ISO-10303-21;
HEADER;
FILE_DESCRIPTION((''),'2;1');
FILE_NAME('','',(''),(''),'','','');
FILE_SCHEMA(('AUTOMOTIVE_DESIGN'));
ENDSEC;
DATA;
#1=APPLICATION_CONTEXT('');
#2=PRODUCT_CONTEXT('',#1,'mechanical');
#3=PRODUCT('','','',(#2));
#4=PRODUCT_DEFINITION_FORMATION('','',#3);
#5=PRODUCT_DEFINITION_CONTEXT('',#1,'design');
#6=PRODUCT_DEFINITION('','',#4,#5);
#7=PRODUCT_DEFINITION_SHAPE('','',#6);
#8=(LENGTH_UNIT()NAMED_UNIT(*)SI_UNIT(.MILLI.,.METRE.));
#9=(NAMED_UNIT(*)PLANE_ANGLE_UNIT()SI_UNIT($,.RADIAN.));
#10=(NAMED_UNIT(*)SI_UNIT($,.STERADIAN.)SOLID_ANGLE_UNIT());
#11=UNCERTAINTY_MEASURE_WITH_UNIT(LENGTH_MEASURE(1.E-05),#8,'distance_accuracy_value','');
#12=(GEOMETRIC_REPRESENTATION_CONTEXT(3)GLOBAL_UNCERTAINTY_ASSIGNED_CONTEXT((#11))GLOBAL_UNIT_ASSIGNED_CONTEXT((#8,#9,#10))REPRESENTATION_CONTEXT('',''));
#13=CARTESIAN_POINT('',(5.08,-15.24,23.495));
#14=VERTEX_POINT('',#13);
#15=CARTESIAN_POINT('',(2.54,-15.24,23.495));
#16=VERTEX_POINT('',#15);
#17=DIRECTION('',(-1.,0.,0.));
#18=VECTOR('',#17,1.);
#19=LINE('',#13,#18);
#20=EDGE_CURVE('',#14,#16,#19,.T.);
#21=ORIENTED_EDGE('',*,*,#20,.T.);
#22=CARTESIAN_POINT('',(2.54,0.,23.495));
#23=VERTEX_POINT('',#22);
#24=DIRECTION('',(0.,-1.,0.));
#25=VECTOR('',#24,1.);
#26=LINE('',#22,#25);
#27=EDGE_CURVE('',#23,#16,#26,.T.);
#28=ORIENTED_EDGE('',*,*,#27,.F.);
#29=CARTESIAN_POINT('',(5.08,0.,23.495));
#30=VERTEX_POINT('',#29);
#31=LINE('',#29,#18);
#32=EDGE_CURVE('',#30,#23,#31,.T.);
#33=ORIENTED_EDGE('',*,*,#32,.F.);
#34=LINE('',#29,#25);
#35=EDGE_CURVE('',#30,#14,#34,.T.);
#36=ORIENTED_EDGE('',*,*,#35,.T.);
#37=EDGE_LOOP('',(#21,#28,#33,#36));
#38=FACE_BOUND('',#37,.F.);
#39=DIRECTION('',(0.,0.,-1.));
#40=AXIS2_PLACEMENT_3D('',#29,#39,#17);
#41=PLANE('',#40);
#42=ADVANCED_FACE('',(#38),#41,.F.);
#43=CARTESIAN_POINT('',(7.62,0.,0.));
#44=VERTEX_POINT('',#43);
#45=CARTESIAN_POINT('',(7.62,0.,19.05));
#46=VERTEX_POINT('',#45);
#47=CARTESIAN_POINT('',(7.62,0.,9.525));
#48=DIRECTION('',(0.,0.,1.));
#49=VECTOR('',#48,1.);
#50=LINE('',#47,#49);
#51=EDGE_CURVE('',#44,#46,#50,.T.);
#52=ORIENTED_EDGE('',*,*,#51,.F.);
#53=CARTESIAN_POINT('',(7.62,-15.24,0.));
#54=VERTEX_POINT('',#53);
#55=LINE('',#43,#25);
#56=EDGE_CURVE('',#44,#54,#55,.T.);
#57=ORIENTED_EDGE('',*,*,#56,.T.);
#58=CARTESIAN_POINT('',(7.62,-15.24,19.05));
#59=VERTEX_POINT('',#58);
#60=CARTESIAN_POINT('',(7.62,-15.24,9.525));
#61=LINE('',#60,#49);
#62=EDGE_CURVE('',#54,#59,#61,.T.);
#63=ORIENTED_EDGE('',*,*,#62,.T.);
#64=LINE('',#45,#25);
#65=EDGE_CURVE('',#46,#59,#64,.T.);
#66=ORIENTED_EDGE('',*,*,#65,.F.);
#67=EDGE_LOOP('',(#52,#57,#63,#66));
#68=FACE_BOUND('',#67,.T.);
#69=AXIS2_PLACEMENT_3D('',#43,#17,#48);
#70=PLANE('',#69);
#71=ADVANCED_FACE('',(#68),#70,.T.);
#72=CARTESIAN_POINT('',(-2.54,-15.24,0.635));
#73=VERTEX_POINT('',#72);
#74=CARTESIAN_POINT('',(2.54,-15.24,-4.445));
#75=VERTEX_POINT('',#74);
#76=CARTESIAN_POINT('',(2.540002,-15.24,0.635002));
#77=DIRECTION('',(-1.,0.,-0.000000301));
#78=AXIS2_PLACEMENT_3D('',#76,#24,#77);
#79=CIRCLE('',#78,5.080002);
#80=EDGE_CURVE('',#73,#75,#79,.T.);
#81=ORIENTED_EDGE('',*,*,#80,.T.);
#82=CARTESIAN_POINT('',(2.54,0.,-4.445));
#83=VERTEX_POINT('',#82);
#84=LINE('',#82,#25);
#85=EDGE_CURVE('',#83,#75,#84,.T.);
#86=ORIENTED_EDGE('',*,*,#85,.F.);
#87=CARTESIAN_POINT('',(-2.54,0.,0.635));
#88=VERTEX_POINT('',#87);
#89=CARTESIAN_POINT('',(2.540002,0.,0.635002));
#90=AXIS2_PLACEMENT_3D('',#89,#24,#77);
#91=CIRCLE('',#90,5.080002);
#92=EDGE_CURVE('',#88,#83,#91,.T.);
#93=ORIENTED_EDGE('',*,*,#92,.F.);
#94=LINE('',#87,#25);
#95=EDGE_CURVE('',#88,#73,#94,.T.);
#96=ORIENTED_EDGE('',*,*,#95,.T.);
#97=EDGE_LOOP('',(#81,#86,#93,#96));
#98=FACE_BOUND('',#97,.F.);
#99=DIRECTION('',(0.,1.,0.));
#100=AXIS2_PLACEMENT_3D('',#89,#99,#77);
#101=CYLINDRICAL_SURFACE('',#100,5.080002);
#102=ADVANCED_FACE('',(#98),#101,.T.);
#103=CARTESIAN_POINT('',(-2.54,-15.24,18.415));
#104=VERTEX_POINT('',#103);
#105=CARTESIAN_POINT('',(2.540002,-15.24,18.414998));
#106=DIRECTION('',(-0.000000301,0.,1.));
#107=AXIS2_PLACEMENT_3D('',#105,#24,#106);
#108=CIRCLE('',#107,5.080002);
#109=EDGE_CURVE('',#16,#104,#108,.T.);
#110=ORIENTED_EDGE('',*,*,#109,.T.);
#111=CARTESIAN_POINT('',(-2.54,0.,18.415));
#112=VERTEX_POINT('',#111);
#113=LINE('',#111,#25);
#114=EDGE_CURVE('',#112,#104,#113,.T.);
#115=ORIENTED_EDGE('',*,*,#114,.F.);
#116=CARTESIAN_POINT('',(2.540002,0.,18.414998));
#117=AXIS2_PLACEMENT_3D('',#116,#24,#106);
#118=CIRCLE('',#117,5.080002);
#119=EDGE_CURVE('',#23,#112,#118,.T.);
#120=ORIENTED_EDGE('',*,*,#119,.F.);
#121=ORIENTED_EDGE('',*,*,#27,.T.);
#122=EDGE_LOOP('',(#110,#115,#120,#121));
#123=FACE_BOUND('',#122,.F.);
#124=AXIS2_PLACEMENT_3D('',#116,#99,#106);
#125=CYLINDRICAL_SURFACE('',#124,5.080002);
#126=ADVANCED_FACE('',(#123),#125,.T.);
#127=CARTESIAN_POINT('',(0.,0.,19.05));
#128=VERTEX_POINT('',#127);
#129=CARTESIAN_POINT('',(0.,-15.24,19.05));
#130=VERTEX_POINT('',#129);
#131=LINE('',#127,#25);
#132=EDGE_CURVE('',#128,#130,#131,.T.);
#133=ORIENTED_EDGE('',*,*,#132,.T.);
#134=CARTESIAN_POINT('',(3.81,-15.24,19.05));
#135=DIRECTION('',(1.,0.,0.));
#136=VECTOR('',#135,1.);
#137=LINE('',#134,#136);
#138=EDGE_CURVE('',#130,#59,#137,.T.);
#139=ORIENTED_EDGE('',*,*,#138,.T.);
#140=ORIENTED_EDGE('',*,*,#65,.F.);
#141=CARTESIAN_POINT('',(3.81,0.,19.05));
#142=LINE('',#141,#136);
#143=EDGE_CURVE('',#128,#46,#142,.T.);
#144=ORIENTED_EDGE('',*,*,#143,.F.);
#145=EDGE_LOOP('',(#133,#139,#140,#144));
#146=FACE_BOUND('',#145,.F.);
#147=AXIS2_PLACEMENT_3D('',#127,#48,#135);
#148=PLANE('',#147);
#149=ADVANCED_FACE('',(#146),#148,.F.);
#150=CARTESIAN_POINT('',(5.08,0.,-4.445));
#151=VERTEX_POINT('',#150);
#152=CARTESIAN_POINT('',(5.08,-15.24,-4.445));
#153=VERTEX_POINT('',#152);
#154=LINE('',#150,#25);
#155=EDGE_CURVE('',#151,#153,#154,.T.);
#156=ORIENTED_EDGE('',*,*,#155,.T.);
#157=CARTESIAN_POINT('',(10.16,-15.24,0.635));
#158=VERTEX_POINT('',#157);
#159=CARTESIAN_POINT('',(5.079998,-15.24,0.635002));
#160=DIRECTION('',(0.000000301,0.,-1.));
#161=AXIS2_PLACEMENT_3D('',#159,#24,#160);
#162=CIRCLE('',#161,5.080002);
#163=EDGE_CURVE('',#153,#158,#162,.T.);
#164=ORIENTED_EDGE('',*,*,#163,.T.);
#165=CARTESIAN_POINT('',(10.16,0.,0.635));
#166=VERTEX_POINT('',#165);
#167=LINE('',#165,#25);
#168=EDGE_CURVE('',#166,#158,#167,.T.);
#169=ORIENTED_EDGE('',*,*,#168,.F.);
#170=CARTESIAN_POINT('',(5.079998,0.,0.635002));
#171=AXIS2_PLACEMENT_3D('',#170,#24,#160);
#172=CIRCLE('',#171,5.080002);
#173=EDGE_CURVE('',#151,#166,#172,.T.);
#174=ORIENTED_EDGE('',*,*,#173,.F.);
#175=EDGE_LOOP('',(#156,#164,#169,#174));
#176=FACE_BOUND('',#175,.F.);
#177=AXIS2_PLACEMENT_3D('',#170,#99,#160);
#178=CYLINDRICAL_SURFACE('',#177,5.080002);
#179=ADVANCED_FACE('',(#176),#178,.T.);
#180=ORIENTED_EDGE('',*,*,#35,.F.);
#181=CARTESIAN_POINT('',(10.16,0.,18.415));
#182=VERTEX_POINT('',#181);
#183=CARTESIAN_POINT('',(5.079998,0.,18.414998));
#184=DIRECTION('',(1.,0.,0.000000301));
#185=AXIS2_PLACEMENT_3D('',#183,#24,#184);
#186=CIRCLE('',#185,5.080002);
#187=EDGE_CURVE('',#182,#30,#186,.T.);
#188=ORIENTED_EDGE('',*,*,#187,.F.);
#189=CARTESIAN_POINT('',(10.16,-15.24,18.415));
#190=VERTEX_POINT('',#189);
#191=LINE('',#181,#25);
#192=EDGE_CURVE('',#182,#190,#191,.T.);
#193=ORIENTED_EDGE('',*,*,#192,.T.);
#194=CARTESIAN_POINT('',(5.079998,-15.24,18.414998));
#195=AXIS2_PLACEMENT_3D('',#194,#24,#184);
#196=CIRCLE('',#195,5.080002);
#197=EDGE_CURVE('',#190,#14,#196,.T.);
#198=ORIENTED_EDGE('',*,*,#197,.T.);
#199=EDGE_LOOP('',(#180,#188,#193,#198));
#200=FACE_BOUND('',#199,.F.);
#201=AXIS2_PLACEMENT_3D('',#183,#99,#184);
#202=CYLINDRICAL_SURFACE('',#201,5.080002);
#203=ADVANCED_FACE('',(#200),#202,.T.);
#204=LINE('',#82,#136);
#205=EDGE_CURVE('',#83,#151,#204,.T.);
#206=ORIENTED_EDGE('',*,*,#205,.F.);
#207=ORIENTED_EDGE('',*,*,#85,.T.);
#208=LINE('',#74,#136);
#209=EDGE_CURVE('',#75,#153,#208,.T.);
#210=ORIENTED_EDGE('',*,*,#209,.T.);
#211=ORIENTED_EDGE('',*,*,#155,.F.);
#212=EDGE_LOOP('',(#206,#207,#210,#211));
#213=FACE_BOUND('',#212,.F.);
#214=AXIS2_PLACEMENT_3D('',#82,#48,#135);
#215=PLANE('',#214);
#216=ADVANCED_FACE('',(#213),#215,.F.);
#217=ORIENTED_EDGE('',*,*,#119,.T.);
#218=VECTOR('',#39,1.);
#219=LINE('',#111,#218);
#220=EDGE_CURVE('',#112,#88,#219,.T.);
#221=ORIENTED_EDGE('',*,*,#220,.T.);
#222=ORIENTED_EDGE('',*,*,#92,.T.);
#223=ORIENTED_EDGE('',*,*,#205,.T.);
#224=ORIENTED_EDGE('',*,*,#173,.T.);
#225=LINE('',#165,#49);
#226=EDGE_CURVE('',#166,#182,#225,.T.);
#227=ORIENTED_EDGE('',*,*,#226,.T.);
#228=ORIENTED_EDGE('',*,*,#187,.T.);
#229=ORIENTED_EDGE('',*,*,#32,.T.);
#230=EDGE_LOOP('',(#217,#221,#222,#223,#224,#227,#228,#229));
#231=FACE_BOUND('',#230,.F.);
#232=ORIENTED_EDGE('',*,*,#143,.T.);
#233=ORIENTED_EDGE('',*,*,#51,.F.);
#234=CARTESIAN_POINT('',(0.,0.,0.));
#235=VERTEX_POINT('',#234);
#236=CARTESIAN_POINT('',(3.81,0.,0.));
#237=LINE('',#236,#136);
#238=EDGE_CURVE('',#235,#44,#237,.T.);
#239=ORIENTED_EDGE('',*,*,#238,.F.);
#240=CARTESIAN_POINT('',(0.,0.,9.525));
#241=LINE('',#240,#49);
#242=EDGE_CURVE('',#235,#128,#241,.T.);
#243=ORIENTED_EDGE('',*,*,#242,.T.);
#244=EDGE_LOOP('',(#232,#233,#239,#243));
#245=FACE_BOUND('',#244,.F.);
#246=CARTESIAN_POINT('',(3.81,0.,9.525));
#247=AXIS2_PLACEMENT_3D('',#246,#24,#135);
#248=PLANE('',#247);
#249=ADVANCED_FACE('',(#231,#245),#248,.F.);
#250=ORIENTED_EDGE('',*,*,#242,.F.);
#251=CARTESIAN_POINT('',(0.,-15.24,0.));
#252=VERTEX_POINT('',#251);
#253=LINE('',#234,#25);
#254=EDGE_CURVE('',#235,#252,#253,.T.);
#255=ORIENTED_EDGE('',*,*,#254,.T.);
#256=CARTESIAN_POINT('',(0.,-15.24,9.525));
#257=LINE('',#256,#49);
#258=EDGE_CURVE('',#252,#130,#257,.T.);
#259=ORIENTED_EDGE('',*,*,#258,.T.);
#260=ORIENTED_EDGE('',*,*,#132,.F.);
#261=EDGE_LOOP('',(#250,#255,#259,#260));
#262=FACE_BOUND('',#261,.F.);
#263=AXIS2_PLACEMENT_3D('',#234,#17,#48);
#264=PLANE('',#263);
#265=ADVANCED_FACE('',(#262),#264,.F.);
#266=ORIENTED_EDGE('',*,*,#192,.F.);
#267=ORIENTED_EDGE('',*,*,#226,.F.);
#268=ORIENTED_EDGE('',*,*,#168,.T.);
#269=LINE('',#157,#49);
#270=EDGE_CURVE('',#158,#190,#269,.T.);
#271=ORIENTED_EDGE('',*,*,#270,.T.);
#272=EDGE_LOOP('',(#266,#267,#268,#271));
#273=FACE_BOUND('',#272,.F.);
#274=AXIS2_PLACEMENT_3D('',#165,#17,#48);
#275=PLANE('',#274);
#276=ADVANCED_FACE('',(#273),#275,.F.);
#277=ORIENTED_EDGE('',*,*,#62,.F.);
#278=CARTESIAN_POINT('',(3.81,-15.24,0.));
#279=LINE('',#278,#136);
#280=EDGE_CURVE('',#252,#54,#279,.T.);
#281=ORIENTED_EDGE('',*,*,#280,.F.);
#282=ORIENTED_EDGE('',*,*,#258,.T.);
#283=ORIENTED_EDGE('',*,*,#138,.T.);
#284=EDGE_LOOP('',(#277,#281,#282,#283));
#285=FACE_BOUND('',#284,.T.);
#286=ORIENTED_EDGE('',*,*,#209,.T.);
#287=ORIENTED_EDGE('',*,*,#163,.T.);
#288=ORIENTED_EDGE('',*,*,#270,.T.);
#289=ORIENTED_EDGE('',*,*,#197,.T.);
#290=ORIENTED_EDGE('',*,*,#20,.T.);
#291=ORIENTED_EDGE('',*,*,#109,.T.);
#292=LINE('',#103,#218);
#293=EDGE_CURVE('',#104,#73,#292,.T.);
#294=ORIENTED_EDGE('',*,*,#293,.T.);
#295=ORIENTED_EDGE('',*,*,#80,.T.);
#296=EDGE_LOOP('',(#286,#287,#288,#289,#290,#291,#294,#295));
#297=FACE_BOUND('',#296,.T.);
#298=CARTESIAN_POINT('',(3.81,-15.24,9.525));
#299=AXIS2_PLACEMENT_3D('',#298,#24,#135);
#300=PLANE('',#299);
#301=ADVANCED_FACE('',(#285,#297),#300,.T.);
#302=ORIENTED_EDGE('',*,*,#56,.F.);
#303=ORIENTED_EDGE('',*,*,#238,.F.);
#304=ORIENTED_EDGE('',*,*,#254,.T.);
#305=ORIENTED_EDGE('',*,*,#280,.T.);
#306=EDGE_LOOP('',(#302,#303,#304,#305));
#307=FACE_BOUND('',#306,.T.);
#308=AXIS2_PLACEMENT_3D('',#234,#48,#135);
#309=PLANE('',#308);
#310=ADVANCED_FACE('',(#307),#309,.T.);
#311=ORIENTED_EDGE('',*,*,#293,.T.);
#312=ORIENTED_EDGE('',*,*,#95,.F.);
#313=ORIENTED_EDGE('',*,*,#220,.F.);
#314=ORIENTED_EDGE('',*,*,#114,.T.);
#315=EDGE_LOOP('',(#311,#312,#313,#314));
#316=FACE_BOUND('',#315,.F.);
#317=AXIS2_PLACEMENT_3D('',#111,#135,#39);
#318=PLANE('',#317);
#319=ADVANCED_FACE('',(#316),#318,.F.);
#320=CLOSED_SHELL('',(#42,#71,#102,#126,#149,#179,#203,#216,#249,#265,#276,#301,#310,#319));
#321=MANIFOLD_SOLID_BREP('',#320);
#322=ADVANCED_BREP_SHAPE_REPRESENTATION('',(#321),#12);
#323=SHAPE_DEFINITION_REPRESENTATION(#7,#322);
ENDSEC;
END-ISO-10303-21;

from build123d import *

# Parameters (mm, degrees)
F0_W     = 7.62
F0_H     = 19.05
F1_DEPTH = 15.24


with BuildPart() as f1:
    # F0 (on Front) → F1 (new body)
    with BuildSketch(Plane.XZ):
        with BuildLine():
            ThreePointArc((10.16, 18.415), (8.672102, 22.007102), (5.08, 23.495))
            Line((5.08, 23.495), (2.54, 23.495))
            ThreePointArc((2.54, 23.495), (-1.052102, 22.007102), (-2.54, 18.415))
            Line((-2.54, 18.415), (-2.54, 0.635))
            ThreePointArc((-2.54, 0.635), (-1.052102, -2.957102), (2.54, -4.445))
            Line((2.54, -4.445), (5.08, -4.445))
            ThreePointArc((5.08, -4.445), (8.672102, -2.957102), (10.16, 0.635))
            Line((10.16, 0.635), (10.16, 18.415))
        make_face()
        with Locations((3.81, 9.525)):
            Rectangle(F0_W, F0_H, mode=Mode.SUBTRACT)
    extrude(amount=F1_DEPTH)


solid = f1.part
